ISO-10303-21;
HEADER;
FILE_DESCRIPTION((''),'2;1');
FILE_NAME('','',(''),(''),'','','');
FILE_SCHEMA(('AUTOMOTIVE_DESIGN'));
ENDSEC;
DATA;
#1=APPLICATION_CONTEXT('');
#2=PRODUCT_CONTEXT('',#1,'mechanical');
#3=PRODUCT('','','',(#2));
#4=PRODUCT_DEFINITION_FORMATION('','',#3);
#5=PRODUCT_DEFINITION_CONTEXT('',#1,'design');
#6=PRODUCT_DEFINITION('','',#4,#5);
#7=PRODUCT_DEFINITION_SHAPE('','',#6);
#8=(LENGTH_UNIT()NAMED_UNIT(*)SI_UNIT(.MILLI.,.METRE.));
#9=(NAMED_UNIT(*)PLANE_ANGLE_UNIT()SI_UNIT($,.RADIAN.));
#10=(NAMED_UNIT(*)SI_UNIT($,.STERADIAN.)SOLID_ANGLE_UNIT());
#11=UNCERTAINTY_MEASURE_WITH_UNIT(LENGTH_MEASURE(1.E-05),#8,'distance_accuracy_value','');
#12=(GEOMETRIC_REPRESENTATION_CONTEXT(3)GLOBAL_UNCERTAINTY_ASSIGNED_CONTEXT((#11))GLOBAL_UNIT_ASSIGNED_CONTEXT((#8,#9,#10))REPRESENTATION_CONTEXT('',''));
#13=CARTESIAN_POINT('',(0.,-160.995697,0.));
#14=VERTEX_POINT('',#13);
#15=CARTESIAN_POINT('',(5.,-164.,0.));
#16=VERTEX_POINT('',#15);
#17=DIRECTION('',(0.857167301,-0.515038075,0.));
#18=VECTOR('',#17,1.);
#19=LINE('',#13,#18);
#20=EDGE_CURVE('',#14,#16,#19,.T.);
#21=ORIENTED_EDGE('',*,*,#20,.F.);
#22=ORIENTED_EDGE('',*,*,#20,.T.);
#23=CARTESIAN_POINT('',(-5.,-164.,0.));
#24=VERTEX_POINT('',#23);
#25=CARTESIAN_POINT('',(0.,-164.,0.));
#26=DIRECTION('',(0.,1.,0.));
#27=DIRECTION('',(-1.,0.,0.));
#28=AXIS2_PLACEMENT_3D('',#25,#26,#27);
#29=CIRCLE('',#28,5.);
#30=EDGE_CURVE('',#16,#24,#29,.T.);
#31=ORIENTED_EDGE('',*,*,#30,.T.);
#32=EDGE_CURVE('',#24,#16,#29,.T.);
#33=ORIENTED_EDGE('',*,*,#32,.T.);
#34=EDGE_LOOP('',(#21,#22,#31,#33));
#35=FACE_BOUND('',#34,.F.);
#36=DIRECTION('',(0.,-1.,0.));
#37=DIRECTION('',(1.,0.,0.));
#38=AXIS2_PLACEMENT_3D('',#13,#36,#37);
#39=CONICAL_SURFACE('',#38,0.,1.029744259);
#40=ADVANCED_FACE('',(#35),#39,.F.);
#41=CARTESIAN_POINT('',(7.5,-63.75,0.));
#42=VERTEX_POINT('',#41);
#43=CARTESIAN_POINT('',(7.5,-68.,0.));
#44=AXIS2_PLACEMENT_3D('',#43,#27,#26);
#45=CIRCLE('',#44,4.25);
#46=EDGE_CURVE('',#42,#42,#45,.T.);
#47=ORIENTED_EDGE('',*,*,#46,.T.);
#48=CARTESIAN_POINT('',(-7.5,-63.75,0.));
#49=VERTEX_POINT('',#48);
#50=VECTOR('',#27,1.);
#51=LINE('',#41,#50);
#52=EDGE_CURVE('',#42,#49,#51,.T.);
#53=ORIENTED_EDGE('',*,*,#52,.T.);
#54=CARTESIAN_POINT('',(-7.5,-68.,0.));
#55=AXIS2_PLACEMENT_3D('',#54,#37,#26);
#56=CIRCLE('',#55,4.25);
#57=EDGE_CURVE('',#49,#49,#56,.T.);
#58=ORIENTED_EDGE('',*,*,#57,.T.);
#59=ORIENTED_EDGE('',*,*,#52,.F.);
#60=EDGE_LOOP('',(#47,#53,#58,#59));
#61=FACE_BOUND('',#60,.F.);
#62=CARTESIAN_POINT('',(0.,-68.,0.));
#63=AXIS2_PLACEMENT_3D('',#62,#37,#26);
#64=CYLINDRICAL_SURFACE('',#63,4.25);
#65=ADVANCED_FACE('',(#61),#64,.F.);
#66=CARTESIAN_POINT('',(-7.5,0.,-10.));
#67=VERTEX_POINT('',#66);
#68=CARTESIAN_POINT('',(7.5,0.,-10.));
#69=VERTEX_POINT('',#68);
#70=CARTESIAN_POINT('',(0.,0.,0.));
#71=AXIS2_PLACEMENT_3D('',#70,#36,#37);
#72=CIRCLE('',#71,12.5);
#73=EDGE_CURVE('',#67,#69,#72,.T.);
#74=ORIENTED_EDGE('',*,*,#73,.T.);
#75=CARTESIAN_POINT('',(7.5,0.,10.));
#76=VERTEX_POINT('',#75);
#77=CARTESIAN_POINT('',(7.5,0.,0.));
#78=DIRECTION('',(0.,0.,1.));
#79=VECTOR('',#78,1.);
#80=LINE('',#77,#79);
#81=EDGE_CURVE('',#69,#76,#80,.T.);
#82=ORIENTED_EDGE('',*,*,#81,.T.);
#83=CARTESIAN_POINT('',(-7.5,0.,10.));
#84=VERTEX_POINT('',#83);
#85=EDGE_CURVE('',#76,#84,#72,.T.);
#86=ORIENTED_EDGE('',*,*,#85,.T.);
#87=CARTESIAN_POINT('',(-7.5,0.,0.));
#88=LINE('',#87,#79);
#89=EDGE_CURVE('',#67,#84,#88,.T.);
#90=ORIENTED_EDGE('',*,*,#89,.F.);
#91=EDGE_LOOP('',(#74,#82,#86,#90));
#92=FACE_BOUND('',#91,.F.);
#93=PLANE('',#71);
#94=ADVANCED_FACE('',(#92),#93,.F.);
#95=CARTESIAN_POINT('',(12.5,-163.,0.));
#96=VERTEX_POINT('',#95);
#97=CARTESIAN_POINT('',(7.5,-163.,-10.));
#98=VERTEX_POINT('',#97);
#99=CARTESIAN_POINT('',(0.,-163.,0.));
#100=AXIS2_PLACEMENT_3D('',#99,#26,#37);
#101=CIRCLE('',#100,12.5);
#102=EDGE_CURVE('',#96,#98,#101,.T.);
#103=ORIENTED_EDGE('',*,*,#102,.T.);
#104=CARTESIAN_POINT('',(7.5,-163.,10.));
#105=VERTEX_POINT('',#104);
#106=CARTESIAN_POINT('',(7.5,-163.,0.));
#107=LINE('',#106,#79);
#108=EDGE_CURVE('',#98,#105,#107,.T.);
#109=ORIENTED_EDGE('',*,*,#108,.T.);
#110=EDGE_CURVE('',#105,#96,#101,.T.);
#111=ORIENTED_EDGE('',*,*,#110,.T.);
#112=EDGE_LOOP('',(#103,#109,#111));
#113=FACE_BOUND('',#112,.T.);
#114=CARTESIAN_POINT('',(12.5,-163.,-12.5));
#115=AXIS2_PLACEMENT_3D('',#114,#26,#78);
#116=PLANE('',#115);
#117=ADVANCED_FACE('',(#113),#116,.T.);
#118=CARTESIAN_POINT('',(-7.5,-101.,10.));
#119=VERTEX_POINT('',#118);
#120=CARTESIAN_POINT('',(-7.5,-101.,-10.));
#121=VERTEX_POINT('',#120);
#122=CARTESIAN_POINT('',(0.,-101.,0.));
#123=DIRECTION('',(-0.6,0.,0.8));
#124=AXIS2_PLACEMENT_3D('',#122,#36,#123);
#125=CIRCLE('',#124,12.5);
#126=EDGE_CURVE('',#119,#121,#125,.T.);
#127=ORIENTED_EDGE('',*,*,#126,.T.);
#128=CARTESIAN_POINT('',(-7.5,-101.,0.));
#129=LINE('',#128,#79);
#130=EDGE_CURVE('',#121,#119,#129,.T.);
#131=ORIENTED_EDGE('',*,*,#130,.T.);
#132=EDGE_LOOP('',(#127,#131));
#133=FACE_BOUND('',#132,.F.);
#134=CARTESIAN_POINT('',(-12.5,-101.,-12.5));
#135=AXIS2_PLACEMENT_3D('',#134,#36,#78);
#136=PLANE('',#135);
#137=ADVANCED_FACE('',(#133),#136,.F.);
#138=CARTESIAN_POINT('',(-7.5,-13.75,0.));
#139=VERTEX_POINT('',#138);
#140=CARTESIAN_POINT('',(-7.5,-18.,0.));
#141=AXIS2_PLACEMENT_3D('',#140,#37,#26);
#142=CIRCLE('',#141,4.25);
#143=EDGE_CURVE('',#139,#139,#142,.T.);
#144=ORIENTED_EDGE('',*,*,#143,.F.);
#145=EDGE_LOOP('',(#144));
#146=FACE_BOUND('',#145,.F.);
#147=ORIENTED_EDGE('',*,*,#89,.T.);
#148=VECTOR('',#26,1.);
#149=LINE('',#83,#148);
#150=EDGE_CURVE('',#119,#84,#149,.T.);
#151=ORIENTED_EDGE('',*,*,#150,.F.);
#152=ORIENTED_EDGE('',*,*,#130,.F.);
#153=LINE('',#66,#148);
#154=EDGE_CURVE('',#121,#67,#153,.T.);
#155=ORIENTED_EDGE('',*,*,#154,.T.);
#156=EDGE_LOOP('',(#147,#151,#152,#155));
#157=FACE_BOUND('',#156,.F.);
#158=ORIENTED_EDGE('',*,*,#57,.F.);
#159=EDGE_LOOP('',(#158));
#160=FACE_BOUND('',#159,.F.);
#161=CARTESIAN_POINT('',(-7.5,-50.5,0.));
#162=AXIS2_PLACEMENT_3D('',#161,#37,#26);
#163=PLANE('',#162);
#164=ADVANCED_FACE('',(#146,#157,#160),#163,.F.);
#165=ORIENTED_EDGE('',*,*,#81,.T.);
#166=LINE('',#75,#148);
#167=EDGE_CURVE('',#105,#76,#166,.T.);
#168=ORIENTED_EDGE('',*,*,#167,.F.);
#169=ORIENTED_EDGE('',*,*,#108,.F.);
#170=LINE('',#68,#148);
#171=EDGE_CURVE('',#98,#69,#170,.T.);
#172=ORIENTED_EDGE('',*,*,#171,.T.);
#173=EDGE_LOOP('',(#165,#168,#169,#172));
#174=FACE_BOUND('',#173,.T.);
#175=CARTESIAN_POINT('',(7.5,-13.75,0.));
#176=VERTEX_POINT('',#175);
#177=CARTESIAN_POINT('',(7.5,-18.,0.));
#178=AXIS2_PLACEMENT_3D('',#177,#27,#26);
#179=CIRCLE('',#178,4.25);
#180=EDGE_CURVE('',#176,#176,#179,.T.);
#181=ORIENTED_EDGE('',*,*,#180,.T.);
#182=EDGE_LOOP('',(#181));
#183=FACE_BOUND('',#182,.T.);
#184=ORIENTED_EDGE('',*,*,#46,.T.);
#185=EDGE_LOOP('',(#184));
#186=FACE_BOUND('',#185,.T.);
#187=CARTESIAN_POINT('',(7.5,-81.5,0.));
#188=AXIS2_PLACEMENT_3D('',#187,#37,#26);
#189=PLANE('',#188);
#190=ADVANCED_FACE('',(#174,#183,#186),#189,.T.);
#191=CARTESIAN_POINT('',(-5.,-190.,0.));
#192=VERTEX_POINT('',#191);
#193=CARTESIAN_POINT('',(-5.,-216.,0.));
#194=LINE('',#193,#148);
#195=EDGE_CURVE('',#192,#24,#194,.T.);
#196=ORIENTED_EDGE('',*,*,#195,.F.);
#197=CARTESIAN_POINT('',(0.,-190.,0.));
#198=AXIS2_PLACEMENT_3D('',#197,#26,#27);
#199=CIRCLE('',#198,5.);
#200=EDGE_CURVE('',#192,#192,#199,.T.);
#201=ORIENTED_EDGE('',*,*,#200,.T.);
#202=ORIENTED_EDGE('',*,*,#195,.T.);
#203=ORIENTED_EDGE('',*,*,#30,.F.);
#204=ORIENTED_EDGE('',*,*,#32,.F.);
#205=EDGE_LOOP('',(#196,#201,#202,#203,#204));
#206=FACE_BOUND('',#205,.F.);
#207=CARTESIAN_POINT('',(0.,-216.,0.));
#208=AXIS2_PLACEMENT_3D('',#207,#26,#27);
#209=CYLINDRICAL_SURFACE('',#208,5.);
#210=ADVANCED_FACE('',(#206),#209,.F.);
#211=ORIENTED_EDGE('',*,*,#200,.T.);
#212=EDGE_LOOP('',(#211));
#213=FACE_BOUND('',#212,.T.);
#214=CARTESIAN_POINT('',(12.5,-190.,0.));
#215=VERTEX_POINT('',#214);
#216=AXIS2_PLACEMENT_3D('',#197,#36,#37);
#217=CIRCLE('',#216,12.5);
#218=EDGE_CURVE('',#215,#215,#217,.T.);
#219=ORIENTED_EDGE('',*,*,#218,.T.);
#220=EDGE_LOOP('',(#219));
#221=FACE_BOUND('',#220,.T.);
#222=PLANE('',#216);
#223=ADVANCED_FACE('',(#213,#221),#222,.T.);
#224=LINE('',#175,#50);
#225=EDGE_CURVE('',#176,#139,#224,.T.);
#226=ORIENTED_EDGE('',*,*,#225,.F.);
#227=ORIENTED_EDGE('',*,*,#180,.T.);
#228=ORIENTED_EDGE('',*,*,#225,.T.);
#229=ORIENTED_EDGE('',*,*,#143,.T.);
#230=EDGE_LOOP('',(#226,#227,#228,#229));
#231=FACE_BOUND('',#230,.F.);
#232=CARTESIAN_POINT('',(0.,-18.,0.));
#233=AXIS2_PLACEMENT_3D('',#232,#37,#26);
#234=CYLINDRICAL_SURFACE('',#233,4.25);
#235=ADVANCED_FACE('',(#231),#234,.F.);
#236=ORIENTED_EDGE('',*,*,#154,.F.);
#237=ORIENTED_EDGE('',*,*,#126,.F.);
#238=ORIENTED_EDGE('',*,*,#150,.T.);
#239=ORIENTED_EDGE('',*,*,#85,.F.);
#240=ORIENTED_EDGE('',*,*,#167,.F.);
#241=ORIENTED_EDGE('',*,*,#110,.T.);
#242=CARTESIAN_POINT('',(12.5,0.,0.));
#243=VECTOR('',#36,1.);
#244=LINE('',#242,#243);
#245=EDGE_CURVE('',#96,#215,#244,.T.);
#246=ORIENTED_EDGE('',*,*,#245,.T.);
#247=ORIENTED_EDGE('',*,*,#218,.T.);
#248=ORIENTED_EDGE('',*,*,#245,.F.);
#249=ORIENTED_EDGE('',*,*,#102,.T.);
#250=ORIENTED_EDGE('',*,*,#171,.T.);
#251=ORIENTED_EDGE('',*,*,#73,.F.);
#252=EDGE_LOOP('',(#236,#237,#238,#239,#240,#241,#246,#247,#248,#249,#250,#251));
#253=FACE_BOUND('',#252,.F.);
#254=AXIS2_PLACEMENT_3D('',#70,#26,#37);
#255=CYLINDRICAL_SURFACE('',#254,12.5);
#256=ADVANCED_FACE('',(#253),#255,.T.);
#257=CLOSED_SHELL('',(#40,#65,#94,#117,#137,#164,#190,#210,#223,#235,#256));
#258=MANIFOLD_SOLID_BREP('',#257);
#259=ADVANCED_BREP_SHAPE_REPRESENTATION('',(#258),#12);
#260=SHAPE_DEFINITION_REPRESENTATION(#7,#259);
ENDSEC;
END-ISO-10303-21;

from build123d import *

# Parameters (mm, degrees)
F0_R          = 12.5
F1_DEPTH      = 190
F3_D          = 10
F3_DEPTH      = 26
F3_TIP        = 3.0043030951
F4_R          = 4.25
F5_DEPTH      = 25
F5_DEPTH_BACK = 25
F7_W          = 101
F7_H          = 25
F8_DEPTH      = 5
F10_W         = 163
F10_H         = 25
F11_DEPTH     = 5


with BuildPart() as f1:
    # F0 (on Front) → F1 (new body)
    with BuildSketch(Plane.XZ):
        Circle(F0_R)
    extrude(amount=F1_DEPTH)

    # F3
    with Locations(Plane.XZ.offset(190)):
        with Locations((0, 0)):
            Hole(F3_D / 2, depth=F3_DEPTH)
            with Locations((0, 0, -(F3_DEPTH + F3_TIP / 2))):  # 118° drill point
                Cone(0, F3_D / 2, F3_TIP, mode=Mode.SUBTRACT)

    # F4 (on Right) → F5 (cut, two sides)
    with BuildSketch(Plane.YZ) as f5_sk:
        with Locations((-18, 0)):
            Circle(F4_R)
        with Locations((-68, 0)):
            Circle(F4_R)
    extrude(amount=-F5_DEPTH, mode=Mode.SUBTRACT)
    extrude(f5_sk.sketch, amount=F5_DEPTH_BACK, mode=Mode.SUBTRACT)

    # F7 (on offset) → F8 (cut)
    with BuildSketch(Plane.YZ.offset(-12.5)):
        with Locations((-50.5, 0)):
            Rectangle(F7_W, F7_H)
    extrude(amount=F8_DEPTH, mode=Mode.SUBTRACT)

    # F10 (on offset) → F11 (cut)
    with BuildSketch(Plane.YZ.offset(12.5)):
        with Locations((-81.5, 0)):
            Rectangle(F10_W, F10_H)
    extrude(amount=-F11_DEPTH, mode=Mode.SUBTRACT)


solid = f1.part
